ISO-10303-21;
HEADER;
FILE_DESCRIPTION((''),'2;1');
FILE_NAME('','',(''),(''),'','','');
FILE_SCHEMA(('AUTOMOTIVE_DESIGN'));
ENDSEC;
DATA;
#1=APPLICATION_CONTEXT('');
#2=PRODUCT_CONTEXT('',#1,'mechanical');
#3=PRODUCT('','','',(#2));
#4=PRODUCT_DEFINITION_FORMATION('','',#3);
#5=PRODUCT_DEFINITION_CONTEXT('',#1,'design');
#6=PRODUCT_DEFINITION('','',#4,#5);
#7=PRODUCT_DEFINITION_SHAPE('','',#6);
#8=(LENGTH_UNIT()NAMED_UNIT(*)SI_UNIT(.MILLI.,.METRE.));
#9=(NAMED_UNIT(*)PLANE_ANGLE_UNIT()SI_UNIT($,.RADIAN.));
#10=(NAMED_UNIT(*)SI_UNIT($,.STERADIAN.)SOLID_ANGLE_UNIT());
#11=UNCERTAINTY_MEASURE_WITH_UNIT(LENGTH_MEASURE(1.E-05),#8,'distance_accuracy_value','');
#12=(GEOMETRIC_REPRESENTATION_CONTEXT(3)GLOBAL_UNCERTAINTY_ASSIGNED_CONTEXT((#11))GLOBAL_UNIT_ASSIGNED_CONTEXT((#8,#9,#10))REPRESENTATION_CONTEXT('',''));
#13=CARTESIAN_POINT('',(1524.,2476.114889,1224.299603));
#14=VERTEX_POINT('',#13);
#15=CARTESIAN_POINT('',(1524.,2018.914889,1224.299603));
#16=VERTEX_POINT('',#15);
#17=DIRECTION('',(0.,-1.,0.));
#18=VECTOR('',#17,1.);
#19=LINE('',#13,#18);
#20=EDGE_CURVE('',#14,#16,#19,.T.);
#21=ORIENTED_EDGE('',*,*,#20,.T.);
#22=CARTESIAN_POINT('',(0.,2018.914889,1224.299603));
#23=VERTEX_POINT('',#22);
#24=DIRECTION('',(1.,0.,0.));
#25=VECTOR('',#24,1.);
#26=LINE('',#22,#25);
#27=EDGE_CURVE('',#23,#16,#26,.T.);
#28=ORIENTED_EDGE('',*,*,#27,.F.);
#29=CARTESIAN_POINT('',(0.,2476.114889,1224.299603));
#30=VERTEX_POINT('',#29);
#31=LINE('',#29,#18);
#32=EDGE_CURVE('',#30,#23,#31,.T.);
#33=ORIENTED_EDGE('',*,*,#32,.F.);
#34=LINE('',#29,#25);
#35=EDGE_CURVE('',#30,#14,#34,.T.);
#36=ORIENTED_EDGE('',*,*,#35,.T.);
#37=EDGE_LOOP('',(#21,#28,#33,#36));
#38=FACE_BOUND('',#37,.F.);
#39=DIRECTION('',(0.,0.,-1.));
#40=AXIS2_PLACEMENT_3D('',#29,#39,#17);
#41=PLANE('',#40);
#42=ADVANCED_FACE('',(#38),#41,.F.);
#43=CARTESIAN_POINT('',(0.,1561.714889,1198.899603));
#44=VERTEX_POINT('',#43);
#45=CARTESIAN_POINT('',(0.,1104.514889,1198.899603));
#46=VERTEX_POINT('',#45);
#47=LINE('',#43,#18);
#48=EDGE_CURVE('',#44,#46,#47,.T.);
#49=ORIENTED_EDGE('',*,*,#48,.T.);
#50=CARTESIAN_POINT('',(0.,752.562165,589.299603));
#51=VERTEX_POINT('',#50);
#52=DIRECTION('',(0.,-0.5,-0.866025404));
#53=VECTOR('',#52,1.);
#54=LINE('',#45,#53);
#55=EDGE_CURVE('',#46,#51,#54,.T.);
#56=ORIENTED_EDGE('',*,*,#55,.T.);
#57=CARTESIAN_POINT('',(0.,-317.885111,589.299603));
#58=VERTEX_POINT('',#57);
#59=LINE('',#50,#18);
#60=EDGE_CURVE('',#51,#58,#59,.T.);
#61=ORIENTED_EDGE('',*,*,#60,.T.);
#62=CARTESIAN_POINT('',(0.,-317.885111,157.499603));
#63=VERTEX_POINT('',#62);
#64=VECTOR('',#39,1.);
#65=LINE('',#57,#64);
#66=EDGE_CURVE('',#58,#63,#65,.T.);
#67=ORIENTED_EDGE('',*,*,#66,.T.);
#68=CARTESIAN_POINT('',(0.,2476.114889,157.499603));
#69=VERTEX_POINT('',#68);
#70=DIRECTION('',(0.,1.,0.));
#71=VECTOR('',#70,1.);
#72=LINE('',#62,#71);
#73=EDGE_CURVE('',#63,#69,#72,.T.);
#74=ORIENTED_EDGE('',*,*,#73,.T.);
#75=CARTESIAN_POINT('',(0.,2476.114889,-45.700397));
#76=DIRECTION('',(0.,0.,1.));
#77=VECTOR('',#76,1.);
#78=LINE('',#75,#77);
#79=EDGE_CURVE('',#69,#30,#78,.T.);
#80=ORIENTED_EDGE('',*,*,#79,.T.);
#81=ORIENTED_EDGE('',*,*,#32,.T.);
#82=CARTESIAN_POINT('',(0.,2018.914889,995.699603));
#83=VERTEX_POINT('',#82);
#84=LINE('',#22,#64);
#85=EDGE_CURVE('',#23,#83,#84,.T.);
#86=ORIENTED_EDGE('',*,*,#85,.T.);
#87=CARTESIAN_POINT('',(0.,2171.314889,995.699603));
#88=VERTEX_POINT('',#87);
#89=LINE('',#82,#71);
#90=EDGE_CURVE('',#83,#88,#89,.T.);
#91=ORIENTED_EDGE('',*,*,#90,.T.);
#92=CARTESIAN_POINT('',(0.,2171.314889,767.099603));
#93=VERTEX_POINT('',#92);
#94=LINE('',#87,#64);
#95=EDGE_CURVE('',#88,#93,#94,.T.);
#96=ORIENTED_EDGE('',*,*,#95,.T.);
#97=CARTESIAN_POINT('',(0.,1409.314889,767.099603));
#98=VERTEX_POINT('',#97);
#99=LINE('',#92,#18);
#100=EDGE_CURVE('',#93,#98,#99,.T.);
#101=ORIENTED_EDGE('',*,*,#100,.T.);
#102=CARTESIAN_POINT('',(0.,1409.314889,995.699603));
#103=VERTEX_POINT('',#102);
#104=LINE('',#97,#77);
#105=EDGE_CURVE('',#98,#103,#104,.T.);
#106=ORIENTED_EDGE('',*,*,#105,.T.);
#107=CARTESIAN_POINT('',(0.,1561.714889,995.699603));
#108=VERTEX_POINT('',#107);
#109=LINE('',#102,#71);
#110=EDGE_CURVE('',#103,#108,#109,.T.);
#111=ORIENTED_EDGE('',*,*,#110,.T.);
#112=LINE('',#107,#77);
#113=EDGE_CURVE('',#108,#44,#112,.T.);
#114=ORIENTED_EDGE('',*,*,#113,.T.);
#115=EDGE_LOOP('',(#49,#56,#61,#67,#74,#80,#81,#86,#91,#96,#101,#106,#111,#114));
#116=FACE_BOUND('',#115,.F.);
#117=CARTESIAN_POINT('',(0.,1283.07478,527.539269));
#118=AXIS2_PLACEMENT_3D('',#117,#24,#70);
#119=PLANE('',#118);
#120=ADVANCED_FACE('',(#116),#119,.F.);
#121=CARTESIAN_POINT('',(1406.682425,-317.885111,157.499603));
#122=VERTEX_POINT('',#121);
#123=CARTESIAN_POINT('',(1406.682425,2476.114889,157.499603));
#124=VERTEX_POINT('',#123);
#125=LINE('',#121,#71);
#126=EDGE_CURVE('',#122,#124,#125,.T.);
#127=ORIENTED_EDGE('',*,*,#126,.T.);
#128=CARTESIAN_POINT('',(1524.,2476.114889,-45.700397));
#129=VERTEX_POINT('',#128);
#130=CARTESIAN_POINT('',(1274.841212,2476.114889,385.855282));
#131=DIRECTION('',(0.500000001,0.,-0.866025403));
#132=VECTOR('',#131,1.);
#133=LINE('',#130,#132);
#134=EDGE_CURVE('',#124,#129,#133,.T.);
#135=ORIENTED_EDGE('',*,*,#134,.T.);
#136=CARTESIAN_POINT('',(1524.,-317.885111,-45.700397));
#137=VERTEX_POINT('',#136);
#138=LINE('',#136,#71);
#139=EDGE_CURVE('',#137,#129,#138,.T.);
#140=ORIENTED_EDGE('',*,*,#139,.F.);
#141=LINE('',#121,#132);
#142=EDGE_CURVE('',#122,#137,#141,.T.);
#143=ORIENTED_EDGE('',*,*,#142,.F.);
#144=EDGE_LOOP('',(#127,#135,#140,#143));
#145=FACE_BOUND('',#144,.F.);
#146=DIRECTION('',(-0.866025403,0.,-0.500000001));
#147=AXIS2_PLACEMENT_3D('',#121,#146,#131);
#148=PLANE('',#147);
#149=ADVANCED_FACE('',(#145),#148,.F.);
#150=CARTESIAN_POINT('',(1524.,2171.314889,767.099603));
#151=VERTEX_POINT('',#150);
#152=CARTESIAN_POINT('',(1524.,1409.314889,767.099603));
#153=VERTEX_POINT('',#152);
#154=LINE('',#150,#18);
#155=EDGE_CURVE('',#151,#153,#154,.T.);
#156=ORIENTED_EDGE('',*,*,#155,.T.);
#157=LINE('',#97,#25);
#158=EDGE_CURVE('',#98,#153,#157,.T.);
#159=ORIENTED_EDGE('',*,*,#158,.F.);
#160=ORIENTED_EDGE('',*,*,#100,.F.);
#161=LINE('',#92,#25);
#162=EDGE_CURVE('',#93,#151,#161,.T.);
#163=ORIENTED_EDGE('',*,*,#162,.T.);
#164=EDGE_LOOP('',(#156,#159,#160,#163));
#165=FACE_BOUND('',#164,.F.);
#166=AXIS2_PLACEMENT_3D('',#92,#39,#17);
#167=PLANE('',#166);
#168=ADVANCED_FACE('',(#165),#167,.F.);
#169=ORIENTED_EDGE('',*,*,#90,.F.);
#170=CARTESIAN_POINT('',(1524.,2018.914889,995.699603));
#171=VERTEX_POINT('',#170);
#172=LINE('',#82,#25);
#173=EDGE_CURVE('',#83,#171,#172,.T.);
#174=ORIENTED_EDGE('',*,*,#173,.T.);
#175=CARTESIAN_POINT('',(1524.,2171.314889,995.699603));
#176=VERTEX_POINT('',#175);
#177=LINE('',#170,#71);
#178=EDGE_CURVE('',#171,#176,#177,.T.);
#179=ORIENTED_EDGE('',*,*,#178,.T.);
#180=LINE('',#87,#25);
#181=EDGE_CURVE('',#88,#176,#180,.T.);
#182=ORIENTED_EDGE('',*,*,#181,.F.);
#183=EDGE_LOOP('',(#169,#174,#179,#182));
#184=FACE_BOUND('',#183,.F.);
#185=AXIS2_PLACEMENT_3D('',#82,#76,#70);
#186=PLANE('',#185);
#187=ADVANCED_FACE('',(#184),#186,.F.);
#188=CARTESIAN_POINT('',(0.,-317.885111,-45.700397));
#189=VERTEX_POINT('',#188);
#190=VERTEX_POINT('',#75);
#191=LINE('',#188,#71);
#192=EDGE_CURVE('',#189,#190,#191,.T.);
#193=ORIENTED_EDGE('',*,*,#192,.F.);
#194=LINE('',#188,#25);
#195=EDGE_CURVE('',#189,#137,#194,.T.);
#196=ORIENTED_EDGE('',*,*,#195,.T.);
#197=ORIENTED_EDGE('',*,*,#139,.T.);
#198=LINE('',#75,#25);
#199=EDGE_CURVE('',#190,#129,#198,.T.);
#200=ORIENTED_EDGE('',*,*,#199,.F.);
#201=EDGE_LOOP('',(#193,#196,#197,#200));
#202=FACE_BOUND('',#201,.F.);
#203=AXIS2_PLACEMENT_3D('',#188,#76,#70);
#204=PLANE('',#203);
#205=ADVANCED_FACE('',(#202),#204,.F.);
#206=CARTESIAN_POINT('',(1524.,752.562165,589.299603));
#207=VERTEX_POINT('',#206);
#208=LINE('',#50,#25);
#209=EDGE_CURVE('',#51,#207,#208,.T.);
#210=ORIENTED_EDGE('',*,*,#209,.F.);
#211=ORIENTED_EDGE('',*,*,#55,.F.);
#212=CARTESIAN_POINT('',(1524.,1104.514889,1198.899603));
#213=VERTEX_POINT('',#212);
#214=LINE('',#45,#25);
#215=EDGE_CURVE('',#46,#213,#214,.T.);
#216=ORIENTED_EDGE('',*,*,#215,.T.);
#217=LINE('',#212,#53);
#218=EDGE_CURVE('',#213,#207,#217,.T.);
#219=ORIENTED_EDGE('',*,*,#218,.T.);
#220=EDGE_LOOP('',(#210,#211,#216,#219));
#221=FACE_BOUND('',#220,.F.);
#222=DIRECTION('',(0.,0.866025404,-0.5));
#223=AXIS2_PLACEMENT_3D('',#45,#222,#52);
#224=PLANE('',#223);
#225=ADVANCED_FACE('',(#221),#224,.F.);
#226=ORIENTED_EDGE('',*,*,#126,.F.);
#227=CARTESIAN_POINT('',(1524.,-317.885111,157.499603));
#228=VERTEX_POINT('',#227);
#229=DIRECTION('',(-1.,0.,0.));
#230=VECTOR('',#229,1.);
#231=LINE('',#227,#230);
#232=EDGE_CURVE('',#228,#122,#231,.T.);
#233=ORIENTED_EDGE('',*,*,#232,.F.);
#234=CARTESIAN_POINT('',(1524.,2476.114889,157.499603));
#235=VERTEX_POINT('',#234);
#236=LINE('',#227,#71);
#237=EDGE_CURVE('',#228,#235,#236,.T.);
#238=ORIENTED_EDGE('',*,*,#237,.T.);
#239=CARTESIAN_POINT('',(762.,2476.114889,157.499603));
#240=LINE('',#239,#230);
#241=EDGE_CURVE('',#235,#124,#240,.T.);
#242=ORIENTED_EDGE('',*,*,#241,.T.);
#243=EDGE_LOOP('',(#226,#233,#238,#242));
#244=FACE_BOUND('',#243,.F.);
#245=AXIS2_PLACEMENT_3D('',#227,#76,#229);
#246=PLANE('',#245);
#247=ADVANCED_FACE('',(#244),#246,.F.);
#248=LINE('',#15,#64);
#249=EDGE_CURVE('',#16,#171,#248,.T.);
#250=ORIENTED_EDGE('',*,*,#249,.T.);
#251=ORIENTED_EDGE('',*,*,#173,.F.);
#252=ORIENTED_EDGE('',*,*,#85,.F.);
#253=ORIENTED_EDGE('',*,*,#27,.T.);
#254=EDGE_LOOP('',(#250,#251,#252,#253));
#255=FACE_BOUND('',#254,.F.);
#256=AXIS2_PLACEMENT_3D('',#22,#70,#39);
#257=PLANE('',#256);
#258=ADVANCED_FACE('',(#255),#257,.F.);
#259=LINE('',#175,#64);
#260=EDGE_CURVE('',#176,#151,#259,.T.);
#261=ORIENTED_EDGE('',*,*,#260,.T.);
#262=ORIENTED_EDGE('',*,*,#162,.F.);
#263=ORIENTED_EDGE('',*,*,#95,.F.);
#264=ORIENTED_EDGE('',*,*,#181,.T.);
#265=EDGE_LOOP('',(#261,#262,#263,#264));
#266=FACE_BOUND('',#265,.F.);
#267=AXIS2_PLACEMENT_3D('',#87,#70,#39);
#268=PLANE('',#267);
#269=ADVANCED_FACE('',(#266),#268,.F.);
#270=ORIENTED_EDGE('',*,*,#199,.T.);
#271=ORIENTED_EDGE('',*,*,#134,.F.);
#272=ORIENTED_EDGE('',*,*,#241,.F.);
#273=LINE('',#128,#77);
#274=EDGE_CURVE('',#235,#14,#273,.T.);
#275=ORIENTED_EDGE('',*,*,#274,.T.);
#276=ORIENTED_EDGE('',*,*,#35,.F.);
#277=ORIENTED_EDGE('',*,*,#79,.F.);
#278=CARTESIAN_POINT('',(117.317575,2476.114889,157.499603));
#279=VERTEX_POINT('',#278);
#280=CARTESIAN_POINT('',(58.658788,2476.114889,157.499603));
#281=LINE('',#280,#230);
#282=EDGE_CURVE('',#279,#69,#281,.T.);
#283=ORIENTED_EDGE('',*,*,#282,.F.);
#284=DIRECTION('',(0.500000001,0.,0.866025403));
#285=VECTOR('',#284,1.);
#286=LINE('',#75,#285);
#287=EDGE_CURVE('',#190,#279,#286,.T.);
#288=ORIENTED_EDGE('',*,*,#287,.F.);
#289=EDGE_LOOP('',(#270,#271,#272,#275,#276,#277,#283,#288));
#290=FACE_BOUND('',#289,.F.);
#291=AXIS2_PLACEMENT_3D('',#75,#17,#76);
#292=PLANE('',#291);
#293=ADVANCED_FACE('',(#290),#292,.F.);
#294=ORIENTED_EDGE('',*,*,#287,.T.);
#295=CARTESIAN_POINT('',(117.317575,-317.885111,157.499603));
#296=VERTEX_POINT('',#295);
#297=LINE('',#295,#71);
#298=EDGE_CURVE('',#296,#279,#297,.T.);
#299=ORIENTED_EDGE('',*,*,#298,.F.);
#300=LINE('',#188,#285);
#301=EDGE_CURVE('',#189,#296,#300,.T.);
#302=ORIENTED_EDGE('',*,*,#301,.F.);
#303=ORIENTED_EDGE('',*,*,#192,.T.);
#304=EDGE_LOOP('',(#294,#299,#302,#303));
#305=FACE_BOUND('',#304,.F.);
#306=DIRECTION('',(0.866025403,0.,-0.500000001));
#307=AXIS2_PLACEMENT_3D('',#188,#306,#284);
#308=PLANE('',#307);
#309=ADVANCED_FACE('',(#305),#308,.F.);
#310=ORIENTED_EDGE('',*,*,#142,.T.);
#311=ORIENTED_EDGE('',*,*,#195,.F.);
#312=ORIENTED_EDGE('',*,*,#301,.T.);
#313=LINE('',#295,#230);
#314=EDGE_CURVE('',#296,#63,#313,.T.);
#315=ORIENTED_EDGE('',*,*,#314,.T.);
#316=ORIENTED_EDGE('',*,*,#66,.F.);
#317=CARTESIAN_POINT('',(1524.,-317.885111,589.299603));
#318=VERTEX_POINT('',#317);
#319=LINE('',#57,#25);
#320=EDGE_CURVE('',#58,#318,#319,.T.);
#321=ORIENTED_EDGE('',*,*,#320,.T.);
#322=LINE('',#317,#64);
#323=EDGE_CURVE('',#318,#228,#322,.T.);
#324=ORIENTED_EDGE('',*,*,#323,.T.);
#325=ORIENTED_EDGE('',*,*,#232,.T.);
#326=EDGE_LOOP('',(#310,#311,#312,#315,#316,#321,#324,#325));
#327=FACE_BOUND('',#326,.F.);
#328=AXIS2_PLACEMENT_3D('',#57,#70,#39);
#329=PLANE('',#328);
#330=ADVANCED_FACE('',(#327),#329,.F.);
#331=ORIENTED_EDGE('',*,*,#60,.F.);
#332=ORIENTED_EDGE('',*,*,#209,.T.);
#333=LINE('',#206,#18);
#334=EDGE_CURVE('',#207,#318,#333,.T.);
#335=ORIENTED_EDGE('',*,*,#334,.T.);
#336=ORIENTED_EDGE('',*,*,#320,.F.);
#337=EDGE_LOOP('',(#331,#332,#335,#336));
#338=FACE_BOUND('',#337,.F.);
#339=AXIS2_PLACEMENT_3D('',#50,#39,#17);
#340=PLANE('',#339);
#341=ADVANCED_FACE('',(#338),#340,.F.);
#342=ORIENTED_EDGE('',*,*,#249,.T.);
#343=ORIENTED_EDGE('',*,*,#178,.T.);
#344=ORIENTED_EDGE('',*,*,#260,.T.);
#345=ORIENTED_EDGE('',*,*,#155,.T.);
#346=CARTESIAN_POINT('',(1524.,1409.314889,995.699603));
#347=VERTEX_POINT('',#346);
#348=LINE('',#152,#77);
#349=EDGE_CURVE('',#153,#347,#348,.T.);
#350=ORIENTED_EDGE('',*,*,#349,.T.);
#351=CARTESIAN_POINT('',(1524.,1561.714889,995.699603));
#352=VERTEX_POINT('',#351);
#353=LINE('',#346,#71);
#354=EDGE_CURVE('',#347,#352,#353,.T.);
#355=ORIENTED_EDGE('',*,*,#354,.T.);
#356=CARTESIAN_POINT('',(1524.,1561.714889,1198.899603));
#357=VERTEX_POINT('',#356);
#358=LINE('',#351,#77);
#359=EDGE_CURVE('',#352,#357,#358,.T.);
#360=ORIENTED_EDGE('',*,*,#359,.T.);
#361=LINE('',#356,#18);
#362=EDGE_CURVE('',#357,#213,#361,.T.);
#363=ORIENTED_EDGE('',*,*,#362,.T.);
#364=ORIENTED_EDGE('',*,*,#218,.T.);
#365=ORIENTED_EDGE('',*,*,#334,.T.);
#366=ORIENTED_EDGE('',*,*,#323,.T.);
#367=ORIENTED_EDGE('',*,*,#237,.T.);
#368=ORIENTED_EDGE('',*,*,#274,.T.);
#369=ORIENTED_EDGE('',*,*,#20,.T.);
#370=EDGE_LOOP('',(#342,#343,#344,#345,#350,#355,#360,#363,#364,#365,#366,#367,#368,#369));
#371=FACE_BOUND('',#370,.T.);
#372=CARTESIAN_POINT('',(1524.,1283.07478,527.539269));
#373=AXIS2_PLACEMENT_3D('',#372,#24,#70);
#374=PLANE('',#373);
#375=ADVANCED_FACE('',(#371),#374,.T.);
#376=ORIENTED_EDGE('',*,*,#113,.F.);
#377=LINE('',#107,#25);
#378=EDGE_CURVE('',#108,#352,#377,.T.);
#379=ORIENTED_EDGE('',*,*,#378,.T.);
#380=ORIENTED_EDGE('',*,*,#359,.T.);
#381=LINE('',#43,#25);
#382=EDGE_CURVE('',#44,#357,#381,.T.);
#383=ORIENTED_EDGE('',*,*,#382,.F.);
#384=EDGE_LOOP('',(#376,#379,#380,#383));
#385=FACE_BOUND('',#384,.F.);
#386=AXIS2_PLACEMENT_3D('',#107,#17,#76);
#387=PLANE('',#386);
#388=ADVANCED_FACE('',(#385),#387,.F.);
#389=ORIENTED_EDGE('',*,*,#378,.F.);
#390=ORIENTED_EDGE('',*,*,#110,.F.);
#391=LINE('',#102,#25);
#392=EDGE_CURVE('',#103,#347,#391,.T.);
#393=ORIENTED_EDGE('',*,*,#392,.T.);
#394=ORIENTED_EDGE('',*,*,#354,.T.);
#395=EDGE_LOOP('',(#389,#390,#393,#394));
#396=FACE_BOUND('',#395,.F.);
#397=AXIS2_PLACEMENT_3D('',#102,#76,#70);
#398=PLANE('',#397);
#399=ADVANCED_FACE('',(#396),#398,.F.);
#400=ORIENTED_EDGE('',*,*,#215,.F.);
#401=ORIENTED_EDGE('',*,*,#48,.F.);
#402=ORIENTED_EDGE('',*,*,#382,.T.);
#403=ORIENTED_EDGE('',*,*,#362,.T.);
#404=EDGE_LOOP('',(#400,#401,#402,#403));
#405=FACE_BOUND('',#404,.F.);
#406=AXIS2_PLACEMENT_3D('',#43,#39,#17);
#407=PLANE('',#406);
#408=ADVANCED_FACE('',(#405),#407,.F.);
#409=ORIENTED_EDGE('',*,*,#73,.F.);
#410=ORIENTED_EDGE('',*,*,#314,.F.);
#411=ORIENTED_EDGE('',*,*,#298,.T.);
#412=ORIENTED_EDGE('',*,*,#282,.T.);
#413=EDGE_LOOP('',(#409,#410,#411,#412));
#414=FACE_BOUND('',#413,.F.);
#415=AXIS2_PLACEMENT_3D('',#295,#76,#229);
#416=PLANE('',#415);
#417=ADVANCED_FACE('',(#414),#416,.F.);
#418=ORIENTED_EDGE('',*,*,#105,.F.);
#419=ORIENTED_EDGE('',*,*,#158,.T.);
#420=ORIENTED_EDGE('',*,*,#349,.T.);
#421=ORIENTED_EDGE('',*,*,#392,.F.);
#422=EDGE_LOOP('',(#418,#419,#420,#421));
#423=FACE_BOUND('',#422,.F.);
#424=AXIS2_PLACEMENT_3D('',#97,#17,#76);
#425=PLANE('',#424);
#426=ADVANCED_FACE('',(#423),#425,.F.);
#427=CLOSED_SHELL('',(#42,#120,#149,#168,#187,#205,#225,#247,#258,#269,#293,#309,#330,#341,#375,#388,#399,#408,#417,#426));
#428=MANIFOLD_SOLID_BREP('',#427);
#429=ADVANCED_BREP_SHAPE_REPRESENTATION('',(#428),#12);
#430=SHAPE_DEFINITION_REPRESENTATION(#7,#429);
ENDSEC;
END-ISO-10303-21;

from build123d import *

# Parameters (mm, degrees)
F1_DEPTH = 1524
F3_DEPTH = 2794.001


with BuildPart() as f1:
    # F0 (on Right) → F1 (new body)
    with BuildSketch(Plane.YZ):
        Polygon((-317.885111, 589.299603), (-317.885111, -45.700397), (2476.114889, -45.700397), (2476.114889, 1224.299603), (2018.914889, 1224.299603), (2018.914889, 995.699603), (2171.314889, 995.699603), (2171.314889, 767.099603), (1409.314889, 767.099603), (1409.314889, 995.699603), (1561.714889, 995.699603), (1561.714889, 1198.899603), (1104.514889, 1198.899603), (752.562165, 589.299603), align=None)
    extrude(amount=F1_DEPTH)

    # F2 (on face) → F3 (cut, through all)
    with BuildSketch(Plane.XZ.offset(317.885111)):
        Polygon((0, 157.499603), (0, -45.700397), (117.317575, 157.499603), align=None)
        Polygon((1406.682425, 157.499603), (1524, -45.700397), (1524, 157.499603), align=None)
    extrude(amount=-F3_DEPTH, mode=Mode.SUBTRACT)


solid = f1.part
